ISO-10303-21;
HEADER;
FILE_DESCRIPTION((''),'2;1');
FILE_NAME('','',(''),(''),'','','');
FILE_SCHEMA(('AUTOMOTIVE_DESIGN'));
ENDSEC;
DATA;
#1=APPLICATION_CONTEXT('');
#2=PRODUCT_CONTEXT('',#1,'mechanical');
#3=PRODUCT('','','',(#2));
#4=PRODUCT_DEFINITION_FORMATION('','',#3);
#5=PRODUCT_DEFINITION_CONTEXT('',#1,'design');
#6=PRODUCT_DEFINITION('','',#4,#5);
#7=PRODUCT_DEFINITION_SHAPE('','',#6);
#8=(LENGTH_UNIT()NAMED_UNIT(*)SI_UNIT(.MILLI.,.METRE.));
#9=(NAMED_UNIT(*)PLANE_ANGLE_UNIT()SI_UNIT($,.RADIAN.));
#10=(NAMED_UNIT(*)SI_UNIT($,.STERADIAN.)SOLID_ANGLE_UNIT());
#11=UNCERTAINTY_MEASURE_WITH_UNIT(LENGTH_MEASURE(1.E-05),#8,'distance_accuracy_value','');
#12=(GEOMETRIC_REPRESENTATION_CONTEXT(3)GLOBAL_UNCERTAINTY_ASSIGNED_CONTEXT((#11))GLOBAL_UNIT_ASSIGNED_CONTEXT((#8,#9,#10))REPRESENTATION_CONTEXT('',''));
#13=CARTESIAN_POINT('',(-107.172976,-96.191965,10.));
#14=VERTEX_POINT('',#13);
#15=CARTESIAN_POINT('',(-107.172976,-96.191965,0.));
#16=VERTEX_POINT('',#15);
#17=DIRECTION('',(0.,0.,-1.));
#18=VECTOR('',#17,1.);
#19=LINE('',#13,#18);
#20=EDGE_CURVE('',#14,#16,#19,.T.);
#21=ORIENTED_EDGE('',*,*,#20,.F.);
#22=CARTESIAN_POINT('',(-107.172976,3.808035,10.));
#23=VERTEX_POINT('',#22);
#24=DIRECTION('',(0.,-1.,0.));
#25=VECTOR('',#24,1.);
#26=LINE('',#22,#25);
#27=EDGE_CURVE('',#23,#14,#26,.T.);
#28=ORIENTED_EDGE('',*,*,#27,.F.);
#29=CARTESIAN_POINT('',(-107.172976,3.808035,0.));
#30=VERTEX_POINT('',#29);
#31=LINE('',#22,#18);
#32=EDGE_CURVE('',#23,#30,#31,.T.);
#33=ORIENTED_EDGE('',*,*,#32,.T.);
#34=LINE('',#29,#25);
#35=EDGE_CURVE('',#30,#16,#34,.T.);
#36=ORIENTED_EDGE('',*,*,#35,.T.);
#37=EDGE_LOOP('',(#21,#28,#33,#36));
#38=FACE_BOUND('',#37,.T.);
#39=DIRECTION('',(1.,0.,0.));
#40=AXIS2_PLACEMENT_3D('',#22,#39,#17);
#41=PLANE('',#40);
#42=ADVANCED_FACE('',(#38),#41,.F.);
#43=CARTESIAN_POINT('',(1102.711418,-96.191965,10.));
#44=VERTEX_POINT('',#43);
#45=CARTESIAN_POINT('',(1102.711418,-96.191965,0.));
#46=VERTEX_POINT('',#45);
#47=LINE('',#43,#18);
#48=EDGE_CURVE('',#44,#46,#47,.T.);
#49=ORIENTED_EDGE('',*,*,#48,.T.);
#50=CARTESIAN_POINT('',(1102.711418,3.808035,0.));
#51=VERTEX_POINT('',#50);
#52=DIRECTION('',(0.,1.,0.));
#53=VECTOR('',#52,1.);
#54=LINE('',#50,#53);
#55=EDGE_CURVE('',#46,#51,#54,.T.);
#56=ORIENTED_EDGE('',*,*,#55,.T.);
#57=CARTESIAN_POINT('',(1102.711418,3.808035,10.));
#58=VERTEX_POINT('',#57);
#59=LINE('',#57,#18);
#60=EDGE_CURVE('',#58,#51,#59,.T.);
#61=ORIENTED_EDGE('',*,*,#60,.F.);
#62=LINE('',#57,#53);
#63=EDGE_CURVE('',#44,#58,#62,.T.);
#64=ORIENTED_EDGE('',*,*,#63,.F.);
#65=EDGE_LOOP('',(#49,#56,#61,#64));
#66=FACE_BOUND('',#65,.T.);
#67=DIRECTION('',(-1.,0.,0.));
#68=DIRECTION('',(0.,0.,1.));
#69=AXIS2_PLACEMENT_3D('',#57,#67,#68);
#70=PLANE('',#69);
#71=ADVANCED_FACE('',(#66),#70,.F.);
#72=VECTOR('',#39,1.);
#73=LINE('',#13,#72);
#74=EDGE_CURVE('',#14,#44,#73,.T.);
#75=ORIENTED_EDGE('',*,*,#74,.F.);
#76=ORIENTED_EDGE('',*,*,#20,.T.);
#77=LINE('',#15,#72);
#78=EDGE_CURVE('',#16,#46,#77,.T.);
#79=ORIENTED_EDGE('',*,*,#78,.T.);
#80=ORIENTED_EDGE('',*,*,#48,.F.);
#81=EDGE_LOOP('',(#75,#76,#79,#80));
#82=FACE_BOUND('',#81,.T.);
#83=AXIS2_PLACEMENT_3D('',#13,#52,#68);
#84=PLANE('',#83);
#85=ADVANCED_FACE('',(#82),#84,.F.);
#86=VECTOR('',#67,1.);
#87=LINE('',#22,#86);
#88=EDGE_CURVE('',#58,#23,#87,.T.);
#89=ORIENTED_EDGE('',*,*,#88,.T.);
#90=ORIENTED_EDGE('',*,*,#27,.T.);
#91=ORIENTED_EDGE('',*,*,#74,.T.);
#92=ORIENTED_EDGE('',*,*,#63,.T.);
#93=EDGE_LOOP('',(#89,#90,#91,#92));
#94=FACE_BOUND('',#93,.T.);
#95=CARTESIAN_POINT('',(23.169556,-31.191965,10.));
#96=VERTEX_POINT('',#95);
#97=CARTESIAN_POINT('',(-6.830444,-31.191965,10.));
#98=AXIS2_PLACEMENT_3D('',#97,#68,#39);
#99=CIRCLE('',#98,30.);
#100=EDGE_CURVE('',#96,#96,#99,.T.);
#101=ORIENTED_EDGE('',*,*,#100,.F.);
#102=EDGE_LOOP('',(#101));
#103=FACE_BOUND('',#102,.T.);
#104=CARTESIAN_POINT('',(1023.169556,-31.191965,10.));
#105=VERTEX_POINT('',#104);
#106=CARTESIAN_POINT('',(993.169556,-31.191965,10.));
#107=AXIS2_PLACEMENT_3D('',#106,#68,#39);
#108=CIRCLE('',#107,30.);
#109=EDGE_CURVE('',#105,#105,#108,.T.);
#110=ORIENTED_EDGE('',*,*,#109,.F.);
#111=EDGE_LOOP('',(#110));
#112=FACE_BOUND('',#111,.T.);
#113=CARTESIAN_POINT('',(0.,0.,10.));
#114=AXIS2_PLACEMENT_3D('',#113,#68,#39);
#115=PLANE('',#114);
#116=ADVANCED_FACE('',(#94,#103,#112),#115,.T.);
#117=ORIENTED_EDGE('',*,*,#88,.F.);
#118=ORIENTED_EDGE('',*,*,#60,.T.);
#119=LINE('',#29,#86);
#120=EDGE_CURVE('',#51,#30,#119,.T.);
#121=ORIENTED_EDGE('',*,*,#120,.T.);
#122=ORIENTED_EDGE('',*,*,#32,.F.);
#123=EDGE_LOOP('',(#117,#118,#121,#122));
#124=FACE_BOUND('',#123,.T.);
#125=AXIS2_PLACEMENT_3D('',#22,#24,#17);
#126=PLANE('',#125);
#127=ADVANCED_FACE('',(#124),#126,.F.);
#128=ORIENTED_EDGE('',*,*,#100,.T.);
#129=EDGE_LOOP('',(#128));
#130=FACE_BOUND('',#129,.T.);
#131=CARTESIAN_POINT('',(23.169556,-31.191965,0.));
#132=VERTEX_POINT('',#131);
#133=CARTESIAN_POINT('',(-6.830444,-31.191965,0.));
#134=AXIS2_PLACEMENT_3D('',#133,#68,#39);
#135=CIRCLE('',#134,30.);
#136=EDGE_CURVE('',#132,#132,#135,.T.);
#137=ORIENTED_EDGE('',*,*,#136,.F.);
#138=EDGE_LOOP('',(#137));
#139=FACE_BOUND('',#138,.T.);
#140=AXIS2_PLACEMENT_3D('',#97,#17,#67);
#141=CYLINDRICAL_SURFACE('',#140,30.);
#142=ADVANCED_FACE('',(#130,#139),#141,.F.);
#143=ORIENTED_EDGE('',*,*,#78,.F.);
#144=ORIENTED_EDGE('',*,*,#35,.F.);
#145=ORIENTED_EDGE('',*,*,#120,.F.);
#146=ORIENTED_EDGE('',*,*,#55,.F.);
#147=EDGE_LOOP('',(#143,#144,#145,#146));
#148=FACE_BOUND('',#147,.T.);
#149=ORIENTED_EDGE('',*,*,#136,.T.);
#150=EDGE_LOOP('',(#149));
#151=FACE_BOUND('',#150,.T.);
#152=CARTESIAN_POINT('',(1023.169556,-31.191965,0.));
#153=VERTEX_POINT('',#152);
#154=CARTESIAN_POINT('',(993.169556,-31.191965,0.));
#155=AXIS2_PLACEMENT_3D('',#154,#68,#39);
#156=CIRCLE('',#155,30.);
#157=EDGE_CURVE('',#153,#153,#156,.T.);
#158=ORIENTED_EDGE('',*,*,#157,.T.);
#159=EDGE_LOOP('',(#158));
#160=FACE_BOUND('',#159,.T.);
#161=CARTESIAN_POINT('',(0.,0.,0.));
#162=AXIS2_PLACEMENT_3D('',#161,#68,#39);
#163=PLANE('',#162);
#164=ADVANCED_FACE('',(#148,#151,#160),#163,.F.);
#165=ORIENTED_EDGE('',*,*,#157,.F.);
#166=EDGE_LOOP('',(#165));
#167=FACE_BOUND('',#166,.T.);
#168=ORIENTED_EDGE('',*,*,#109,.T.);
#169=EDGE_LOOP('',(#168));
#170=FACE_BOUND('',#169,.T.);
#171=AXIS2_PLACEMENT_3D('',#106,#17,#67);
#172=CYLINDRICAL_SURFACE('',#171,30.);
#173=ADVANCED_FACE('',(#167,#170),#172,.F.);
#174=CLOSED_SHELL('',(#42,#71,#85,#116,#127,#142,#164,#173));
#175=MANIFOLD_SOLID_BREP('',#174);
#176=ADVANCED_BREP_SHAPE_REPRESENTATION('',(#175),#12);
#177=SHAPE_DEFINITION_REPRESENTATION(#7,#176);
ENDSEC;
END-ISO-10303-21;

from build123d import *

# Parameters (mm, degrees)
SKETCH1_W           = 1209.884394494
SKETCH1_H           = 100
SKETCH1_R           = 30
BOSS_EXTRUDE1_DEPTH = 10


with BuildPart() as part:
    # Sketch1 → Boss-Extrude1 (new body)
    with BuildSketch(Plane.XY):
        with Locations((497.769221224, -46.191964707)):
            Rectangle(SKETCH1_W, SKETCH1_H)
        with Locations((993.169555768, -31.191964707)):
            Circle(SKETCH1_R, mode=Mode.SUBTRACT)
        with Locations((-6.830444232, -31.191964707)):
            Circle(SKETCH1_R, mode=Mode.SUBTRACT)
    extrude(amount=BOSS_EXTRUDE1_DEPTH)


solid = part.part
